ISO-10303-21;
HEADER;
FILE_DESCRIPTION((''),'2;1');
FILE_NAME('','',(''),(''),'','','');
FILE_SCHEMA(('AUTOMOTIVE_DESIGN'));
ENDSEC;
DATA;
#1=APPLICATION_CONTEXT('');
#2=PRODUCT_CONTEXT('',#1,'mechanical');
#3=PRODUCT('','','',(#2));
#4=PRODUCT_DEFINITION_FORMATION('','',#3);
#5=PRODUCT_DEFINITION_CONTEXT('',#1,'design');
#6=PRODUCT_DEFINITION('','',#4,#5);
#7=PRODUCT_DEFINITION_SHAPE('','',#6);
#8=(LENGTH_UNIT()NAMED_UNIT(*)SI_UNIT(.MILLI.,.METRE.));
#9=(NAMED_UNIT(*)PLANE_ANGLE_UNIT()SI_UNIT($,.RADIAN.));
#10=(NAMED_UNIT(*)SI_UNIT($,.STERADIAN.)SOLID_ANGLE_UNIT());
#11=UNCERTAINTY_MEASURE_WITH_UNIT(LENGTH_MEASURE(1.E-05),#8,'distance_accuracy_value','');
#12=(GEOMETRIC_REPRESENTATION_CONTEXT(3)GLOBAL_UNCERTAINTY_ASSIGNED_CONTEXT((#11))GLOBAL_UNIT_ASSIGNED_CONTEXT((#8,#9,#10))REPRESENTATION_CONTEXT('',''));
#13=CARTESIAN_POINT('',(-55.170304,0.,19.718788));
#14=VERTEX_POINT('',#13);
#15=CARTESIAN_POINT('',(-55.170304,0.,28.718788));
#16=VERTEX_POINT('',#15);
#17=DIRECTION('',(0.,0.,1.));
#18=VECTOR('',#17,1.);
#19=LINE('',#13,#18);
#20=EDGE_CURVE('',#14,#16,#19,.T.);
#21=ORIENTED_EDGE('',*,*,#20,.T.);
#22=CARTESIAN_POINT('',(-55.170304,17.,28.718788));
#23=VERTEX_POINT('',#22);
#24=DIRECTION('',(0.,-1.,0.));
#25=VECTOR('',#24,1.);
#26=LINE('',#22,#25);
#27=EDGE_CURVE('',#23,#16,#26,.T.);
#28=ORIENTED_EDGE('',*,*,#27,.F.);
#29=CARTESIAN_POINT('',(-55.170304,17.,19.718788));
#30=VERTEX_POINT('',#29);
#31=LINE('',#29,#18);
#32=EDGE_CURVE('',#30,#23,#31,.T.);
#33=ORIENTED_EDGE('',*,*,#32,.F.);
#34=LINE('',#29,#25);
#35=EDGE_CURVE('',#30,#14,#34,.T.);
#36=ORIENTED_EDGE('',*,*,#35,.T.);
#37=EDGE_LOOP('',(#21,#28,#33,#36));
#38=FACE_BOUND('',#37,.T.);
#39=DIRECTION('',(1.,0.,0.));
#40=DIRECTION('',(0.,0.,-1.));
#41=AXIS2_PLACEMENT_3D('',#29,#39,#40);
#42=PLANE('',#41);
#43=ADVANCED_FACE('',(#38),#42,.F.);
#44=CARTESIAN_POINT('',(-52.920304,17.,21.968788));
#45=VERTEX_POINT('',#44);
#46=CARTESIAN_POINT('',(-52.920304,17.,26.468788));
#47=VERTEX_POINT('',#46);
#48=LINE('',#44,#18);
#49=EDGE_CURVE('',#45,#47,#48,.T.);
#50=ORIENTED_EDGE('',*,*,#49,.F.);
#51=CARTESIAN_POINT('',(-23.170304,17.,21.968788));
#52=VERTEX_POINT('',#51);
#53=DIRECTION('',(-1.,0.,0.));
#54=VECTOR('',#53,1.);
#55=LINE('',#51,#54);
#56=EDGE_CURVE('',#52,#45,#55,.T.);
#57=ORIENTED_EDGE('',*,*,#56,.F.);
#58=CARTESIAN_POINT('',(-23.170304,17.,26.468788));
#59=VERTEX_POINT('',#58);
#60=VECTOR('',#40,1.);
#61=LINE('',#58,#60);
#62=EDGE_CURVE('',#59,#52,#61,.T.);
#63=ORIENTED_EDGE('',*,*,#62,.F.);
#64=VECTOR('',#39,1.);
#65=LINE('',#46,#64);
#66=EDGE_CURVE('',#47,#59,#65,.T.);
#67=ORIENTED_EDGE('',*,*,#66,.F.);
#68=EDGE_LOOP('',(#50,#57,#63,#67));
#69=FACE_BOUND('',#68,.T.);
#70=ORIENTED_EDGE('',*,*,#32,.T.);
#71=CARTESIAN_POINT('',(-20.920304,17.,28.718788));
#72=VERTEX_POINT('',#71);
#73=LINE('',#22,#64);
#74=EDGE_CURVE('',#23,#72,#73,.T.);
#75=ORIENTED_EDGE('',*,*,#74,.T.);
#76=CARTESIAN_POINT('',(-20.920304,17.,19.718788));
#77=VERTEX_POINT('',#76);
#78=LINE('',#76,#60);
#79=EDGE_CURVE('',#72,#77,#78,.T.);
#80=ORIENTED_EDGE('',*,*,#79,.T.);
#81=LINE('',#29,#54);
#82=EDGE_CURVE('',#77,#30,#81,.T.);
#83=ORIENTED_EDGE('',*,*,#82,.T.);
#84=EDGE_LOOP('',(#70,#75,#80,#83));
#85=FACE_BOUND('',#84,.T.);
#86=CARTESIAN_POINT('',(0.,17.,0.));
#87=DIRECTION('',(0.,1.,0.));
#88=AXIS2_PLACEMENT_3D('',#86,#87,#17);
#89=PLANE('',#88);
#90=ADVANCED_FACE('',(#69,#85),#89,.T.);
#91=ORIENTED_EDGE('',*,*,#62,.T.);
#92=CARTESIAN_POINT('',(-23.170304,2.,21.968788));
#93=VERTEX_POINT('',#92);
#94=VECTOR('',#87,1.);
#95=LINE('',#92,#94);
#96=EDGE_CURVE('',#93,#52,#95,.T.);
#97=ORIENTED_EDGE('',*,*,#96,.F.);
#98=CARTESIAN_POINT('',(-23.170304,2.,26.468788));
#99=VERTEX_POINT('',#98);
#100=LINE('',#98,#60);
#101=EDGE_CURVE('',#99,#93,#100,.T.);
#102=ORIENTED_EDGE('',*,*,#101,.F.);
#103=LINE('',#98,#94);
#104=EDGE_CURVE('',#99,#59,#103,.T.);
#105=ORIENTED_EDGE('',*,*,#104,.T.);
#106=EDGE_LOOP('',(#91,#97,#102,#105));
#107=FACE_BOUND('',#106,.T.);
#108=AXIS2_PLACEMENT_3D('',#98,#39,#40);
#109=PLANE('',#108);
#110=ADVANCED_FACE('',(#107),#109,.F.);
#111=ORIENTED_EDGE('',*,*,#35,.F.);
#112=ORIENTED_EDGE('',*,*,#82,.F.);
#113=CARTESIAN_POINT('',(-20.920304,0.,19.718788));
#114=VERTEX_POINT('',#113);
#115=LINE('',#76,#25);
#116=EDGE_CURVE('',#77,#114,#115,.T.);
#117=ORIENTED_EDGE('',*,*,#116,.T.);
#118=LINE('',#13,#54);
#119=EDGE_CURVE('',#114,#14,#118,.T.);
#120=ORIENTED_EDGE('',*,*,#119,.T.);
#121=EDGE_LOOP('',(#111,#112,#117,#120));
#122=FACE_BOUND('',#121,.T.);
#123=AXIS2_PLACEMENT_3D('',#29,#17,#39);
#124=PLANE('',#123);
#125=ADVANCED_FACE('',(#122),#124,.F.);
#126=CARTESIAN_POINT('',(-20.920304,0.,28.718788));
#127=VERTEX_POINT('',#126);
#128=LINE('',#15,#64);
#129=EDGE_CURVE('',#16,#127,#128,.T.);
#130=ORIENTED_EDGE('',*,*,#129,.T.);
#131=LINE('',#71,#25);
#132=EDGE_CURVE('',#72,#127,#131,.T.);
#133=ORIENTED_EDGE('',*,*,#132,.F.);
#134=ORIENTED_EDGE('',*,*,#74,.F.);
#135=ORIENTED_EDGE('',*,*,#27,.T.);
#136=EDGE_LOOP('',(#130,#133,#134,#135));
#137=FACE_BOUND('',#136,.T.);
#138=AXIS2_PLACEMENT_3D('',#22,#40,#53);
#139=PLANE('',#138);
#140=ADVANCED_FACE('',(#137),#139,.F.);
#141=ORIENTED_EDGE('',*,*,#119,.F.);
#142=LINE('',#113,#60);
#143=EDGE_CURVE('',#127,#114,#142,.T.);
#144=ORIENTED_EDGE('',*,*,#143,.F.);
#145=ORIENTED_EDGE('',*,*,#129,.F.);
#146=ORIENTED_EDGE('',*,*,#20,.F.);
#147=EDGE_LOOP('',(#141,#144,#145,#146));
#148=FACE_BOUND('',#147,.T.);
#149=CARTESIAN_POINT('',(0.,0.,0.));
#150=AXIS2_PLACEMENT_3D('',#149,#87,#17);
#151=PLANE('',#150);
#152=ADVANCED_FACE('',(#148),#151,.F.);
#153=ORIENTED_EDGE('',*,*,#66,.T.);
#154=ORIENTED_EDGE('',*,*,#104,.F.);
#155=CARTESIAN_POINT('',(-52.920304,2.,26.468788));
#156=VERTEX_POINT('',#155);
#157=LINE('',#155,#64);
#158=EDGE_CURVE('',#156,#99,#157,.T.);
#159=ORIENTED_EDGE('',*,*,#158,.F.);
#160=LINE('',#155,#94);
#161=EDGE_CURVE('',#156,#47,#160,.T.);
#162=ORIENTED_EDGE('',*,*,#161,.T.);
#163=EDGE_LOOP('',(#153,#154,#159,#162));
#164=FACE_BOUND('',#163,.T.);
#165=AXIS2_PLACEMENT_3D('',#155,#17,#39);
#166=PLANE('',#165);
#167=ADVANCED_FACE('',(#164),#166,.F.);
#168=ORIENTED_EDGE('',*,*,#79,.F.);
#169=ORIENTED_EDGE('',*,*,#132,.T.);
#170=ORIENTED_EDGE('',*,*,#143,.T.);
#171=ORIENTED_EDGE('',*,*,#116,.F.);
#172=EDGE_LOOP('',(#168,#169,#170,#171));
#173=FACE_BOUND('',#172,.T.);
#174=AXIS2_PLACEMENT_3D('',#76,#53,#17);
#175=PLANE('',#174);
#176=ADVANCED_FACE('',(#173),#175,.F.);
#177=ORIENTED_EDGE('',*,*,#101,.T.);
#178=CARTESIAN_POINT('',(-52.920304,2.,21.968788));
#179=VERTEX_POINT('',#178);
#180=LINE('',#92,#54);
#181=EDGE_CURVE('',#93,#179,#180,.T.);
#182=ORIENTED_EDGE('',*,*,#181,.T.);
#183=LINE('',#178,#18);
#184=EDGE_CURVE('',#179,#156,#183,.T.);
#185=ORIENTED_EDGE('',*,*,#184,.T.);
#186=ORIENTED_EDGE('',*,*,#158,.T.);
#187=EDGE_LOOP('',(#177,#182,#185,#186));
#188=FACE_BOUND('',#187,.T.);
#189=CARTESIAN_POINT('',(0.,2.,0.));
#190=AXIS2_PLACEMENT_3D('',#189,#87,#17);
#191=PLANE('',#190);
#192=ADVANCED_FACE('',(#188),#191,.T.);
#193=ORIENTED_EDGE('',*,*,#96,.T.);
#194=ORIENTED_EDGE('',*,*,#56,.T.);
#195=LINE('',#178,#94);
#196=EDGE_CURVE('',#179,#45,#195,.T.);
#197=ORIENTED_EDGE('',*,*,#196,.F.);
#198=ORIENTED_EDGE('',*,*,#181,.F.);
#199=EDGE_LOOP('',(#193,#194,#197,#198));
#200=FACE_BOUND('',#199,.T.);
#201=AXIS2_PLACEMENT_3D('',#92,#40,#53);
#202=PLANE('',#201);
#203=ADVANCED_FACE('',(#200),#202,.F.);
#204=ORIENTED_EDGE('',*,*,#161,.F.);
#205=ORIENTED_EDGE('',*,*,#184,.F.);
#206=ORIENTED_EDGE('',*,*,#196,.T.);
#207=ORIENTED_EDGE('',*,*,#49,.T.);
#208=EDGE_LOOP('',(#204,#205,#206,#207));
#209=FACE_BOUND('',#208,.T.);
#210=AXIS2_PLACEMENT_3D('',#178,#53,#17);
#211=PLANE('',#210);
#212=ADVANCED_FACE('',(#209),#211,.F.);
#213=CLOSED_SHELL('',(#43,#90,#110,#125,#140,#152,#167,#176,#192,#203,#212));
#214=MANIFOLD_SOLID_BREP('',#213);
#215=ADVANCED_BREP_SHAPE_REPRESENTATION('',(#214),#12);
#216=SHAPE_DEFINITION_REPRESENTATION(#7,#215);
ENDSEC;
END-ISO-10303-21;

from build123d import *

# Parameters (mm, degrees)
SKETCH1_W           = 34.25
SKETCH1_H           = 9
BOSS_EXTRUDE1_DEPTH = 17
SKETCH2_W           = 29.75
SKETCH2_H           = 4.5
CUT_EXTRUDE1_DEPTH  = 15


with BuildPart() as part:
    # Sketch1 → Boss-Extrude1 (new body)
    with BuildSketch(Plane(origin=(0, 0, 0), x_dir=(1, 0, 0), z_dir=(0, 1, 0))):
        with Locations((-38.045304106, -24.218788439)):
            Rectangle(SKETCH1_W, SKETCH1_H)
    extrude(amount=BOSS_EXTRUDE1_DEPTH)

    # Sketch2 → Cut-Extrude1 (cut)
    with BuildSketch(Plane(origin=(0, 17, 0), x_dir=(1, 0, 0), z_dir=(0, 1, 0))):
        with Locations((-38.045304106, -24.218788439)):
            Rectangle(SKETCH2_W, SKETCH2_H)
    extrude(amount=-CUT_EXTRUDE1_DEPTH, mode=Mode.SUBTRACT)


solid = part.part
